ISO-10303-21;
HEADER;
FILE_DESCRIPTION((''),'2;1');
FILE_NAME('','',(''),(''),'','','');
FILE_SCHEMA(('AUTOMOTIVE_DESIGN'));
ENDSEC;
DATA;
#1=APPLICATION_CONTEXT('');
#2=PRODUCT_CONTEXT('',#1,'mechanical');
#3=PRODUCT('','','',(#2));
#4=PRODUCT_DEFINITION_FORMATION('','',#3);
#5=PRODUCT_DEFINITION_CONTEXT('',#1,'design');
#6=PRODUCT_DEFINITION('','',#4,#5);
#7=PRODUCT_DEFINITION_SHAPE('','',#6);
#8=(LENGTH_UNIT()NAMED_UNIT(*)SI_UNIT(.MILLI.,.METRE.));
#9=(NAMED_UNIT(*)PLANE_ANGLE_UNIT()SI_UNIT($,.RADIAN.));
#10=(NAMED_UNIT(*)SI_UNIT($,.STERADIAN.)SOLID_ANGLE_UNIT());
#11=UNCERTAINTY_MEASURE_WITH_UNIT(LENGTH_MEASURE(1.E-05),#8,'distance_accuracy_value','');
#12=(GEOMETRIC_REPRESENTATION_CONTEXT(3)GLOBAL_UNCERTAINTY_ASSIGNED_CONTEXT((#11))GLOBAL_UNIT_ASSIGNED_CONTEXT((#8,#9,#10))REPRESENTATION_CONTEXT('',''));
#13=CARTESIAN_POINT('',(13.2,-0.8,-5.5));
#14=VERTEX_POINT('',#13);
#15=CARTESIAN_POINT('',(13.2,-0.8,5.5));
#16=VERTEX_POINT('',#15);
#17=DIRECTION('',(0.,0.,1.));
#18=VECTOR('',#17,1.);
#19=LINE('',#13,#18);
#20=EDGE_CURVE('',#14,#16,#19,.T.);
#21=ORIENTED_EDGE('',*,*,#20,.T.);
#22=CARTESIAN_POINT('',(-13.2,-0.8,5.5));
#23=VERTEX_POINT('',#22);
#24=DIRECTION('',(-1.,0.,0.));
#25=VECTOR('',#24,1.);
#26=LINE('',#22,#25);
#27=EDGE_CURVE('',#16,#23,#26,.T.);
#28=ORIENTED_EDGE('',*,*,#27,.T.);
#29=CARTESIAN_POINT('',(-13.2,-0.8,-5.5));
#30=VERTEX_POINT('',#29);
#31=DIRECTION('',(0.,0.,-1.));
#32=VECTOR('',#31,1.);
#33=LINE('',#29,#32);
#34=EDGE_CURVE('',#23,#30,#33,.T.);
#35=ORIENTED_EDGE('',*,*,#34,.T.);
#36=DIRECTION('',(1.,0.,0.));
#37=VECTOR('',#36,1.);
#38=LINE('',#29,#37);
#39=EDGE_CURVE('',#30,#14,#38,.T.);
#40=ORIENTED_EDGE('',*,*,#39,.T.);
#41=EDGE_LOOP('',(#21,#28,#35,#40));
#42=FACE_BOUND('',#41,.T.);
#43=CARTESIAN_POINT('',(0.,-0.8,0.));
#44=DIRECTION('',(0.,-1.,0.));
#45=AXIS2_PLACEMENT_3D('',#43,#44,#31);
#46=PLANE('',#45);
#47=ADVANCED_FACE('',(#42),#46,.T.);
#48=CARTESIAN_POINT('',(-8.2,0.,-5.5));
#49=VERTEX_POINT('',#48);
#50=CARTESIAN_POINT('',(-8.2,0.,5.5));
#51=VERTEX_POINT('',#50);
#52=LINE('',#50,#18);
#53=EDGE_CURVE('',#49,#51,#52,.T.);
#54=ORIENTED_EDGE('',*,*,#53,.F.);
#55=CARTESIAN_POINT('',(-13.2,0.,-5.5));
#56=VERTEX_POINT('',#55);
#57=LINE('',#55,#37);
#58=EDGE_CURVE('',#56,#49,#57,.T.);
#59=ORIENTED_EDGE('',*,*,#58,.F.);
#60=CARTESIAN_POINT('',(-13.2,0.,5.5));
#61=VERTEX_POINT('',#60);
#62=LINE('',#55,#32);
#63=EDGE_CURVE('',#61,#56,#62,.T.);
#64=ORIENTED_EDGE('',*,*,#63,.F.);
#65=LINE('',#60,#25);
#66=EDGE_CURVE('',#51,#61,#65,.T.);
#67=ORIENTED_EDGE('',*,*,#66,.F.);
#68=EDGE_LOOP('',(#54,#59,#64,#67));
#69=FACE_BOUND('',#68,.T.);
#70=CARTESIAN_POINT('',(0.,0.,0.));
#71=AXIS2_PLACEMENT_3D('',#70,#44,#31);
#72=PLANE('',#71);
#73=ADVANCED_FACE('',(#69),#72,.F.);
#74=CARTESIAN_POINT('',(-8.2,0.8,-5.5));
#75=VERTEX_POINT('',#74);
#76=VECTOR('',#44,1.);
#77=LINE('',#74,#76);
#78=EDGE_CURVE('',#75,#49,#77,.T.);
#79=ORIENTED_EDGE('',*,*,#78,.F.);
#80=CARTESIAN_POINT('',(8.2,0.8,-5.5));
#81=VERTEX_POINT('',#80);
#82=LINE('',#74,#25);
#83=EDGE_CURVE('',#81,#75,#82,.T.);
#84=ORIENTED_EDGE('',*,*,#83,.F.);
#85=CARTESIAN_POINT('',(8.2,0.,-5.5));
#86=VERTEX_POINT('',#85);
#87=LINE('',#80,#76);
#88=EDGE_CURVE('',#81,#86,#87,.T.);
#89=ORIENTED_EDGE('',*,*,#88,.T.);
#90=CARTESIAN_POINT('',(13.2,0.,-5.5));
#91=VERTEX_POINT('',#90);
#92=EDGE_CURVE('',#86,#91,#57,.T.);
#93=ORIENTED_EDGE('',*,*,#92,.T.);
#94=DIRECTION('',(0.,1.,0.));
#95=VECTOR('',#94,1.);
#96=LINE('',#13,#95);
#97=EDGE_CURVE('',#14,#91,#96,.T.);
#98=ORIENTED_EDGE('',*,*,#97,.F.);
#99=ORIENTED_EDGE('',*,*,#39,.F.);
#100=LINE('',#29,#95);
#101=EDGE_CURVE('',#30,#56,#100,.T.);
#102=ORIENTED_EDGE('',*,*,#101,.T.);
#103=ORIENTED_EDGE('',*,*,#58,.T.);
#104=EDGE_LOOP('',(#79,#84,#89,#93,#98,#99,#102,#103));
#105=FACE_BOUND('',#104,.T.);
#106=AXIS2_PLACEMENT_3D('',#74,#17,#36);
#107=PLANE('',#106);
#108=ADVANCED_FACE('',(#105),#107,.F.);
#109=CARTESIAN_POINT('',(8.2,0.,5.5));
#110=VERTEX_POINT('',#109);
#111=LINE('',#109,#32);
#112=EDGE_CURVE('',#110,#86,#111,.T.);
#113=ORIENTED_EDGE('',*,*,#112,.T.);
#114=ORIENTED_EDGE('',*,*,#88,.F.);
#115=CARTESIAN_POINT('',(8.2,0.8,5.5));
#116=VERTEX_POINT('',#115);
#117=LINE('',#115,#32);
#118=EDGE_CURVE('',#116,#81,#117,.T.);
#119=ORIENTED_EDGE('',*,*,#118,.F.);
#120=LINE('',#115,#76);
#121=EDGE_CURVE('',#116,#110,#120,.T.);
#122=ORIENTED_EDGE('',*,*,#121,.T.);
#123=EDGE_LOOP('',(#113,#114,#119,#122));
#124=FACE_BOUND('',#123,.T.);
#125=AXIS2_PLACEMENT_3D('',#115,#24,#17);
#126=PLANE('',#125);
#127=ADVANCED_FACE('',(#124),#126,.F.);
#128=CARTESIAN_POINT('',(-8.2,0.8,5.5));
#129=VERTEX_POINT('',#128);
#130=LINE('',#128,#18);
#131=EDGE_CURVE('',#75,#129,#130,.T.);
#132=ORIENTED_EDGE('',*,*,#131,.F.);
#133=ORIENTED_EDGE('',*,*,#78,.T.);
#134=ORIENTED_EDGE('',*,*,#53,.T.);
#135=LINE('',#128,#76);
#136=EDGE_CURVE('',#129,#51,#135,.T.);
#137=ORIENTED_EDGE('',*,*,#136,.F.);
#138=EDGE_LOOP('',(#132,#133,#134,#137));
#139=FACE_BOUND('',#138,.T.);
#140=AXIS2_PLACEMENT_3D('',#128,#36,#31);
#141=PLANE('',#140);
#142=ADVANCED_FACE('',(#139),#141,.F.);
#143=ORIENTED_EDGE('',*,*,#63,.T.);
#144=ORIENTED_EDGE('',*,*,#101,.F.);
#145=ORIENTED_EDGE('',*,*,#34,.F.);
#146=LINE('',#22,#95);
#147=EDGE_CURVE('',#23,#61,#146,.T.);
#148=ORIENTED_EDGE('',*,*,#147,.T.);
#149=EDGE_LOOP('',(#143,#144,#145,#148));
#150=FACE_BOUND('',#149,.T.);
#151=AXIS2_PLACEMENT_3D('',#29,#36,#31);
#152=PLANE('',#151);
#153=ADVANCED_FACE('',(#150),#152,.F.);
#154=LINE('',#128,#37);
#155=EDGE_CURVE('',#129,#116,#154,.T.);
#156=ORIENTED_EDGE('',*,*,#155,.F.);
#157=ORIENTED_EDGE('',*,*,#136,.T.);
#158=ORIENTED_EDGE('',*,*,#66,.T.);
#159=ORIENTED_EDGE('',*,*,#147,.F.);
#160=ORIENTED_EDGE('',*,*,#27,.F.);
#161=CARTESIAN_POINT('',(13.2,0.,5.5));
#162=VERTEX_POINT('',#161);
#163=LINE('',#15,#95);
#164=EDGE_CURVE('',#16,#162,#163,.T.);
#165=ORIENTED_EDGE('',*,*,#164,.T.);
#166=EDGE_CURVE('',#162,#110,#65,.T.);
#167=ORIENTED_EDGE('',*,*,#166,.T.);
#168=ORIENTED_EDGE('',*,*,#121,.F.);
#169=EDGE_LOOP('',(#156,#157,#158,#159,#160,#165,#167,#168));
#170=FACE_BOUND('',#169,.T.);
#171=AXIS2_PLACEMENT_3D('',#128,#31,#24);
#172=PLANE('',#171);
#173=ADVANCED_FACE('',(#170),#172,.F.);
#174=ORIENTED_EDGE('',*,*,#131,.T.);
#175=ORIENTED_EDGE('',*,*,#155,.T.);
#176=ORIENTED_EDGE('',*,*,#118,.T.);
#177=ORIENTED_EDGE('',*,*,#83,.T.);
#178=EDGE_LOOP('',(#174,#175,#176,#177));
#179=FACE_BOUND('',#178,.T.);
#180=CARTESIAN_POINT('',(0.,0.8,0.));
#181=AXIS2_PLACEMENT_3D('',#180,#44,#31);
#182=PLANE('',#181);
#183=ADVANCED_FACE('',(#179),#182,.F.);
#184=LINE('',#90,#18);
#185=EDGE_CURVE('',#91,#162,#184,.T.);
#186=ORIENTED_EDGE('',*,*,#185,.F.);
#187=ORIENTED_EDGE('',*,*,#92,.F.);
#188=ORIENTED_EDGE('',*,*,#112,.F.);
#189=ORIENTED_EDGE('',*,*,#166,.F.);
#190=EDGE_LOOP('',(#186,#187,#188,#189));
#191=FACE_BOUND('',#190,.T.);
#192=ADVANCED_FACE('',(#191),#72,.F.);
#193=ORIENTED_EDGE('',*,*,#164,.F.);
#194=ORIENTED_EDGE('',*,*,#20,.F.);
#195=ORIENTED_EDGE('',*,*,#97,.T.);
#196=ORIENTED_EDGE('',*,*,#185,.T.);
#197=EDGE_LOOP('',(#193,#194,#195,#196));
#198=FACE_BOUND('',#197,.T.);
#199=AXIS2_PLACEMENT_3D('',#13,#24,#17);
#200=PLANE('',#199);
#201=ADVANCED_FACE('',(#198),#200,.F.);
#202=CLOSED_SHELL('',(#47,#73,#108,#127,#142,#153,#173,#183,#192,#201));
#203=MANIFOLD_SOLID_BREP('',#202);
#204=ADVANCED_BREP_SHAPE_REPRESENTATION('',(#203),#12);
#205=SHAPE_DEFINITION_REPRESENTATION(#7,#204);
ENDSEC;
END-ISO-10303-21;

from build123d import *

# Parameters (mm, degrees)
SKETCH_1_W      = 16.4
SKETCH_1_H      = 11
EXTRUDE_1_DEPTH = 0.8
SKETCH_3_W      = 26.4
SKETCH_3_H      = 11
EXTRUDE_2_DEPTH = 0.8


with BuildPart() as part:
    # Эскиз1 → Бобышка-Вытянуть1 (new body)
    with BuildSketch(Plane(origin=(0, 0, 0), x_dir=(1, 0, 0), z_dir=(0, 1, 0))):
        Rectangle(SKETCH_1_W, SKETCH_1_H)
    extrude(amount=EXTRUDE_1_DEPTH)

    # Эскиз3 → Бобышка-Вытянуть2 (add)
    with BuildSketch(Plane.XZ):
        Rectangle(SKETCH_3_W, SKETCH_3_H)
    extrude(amount=EXTRUDE_2_DEPTH)


solid = part.part
